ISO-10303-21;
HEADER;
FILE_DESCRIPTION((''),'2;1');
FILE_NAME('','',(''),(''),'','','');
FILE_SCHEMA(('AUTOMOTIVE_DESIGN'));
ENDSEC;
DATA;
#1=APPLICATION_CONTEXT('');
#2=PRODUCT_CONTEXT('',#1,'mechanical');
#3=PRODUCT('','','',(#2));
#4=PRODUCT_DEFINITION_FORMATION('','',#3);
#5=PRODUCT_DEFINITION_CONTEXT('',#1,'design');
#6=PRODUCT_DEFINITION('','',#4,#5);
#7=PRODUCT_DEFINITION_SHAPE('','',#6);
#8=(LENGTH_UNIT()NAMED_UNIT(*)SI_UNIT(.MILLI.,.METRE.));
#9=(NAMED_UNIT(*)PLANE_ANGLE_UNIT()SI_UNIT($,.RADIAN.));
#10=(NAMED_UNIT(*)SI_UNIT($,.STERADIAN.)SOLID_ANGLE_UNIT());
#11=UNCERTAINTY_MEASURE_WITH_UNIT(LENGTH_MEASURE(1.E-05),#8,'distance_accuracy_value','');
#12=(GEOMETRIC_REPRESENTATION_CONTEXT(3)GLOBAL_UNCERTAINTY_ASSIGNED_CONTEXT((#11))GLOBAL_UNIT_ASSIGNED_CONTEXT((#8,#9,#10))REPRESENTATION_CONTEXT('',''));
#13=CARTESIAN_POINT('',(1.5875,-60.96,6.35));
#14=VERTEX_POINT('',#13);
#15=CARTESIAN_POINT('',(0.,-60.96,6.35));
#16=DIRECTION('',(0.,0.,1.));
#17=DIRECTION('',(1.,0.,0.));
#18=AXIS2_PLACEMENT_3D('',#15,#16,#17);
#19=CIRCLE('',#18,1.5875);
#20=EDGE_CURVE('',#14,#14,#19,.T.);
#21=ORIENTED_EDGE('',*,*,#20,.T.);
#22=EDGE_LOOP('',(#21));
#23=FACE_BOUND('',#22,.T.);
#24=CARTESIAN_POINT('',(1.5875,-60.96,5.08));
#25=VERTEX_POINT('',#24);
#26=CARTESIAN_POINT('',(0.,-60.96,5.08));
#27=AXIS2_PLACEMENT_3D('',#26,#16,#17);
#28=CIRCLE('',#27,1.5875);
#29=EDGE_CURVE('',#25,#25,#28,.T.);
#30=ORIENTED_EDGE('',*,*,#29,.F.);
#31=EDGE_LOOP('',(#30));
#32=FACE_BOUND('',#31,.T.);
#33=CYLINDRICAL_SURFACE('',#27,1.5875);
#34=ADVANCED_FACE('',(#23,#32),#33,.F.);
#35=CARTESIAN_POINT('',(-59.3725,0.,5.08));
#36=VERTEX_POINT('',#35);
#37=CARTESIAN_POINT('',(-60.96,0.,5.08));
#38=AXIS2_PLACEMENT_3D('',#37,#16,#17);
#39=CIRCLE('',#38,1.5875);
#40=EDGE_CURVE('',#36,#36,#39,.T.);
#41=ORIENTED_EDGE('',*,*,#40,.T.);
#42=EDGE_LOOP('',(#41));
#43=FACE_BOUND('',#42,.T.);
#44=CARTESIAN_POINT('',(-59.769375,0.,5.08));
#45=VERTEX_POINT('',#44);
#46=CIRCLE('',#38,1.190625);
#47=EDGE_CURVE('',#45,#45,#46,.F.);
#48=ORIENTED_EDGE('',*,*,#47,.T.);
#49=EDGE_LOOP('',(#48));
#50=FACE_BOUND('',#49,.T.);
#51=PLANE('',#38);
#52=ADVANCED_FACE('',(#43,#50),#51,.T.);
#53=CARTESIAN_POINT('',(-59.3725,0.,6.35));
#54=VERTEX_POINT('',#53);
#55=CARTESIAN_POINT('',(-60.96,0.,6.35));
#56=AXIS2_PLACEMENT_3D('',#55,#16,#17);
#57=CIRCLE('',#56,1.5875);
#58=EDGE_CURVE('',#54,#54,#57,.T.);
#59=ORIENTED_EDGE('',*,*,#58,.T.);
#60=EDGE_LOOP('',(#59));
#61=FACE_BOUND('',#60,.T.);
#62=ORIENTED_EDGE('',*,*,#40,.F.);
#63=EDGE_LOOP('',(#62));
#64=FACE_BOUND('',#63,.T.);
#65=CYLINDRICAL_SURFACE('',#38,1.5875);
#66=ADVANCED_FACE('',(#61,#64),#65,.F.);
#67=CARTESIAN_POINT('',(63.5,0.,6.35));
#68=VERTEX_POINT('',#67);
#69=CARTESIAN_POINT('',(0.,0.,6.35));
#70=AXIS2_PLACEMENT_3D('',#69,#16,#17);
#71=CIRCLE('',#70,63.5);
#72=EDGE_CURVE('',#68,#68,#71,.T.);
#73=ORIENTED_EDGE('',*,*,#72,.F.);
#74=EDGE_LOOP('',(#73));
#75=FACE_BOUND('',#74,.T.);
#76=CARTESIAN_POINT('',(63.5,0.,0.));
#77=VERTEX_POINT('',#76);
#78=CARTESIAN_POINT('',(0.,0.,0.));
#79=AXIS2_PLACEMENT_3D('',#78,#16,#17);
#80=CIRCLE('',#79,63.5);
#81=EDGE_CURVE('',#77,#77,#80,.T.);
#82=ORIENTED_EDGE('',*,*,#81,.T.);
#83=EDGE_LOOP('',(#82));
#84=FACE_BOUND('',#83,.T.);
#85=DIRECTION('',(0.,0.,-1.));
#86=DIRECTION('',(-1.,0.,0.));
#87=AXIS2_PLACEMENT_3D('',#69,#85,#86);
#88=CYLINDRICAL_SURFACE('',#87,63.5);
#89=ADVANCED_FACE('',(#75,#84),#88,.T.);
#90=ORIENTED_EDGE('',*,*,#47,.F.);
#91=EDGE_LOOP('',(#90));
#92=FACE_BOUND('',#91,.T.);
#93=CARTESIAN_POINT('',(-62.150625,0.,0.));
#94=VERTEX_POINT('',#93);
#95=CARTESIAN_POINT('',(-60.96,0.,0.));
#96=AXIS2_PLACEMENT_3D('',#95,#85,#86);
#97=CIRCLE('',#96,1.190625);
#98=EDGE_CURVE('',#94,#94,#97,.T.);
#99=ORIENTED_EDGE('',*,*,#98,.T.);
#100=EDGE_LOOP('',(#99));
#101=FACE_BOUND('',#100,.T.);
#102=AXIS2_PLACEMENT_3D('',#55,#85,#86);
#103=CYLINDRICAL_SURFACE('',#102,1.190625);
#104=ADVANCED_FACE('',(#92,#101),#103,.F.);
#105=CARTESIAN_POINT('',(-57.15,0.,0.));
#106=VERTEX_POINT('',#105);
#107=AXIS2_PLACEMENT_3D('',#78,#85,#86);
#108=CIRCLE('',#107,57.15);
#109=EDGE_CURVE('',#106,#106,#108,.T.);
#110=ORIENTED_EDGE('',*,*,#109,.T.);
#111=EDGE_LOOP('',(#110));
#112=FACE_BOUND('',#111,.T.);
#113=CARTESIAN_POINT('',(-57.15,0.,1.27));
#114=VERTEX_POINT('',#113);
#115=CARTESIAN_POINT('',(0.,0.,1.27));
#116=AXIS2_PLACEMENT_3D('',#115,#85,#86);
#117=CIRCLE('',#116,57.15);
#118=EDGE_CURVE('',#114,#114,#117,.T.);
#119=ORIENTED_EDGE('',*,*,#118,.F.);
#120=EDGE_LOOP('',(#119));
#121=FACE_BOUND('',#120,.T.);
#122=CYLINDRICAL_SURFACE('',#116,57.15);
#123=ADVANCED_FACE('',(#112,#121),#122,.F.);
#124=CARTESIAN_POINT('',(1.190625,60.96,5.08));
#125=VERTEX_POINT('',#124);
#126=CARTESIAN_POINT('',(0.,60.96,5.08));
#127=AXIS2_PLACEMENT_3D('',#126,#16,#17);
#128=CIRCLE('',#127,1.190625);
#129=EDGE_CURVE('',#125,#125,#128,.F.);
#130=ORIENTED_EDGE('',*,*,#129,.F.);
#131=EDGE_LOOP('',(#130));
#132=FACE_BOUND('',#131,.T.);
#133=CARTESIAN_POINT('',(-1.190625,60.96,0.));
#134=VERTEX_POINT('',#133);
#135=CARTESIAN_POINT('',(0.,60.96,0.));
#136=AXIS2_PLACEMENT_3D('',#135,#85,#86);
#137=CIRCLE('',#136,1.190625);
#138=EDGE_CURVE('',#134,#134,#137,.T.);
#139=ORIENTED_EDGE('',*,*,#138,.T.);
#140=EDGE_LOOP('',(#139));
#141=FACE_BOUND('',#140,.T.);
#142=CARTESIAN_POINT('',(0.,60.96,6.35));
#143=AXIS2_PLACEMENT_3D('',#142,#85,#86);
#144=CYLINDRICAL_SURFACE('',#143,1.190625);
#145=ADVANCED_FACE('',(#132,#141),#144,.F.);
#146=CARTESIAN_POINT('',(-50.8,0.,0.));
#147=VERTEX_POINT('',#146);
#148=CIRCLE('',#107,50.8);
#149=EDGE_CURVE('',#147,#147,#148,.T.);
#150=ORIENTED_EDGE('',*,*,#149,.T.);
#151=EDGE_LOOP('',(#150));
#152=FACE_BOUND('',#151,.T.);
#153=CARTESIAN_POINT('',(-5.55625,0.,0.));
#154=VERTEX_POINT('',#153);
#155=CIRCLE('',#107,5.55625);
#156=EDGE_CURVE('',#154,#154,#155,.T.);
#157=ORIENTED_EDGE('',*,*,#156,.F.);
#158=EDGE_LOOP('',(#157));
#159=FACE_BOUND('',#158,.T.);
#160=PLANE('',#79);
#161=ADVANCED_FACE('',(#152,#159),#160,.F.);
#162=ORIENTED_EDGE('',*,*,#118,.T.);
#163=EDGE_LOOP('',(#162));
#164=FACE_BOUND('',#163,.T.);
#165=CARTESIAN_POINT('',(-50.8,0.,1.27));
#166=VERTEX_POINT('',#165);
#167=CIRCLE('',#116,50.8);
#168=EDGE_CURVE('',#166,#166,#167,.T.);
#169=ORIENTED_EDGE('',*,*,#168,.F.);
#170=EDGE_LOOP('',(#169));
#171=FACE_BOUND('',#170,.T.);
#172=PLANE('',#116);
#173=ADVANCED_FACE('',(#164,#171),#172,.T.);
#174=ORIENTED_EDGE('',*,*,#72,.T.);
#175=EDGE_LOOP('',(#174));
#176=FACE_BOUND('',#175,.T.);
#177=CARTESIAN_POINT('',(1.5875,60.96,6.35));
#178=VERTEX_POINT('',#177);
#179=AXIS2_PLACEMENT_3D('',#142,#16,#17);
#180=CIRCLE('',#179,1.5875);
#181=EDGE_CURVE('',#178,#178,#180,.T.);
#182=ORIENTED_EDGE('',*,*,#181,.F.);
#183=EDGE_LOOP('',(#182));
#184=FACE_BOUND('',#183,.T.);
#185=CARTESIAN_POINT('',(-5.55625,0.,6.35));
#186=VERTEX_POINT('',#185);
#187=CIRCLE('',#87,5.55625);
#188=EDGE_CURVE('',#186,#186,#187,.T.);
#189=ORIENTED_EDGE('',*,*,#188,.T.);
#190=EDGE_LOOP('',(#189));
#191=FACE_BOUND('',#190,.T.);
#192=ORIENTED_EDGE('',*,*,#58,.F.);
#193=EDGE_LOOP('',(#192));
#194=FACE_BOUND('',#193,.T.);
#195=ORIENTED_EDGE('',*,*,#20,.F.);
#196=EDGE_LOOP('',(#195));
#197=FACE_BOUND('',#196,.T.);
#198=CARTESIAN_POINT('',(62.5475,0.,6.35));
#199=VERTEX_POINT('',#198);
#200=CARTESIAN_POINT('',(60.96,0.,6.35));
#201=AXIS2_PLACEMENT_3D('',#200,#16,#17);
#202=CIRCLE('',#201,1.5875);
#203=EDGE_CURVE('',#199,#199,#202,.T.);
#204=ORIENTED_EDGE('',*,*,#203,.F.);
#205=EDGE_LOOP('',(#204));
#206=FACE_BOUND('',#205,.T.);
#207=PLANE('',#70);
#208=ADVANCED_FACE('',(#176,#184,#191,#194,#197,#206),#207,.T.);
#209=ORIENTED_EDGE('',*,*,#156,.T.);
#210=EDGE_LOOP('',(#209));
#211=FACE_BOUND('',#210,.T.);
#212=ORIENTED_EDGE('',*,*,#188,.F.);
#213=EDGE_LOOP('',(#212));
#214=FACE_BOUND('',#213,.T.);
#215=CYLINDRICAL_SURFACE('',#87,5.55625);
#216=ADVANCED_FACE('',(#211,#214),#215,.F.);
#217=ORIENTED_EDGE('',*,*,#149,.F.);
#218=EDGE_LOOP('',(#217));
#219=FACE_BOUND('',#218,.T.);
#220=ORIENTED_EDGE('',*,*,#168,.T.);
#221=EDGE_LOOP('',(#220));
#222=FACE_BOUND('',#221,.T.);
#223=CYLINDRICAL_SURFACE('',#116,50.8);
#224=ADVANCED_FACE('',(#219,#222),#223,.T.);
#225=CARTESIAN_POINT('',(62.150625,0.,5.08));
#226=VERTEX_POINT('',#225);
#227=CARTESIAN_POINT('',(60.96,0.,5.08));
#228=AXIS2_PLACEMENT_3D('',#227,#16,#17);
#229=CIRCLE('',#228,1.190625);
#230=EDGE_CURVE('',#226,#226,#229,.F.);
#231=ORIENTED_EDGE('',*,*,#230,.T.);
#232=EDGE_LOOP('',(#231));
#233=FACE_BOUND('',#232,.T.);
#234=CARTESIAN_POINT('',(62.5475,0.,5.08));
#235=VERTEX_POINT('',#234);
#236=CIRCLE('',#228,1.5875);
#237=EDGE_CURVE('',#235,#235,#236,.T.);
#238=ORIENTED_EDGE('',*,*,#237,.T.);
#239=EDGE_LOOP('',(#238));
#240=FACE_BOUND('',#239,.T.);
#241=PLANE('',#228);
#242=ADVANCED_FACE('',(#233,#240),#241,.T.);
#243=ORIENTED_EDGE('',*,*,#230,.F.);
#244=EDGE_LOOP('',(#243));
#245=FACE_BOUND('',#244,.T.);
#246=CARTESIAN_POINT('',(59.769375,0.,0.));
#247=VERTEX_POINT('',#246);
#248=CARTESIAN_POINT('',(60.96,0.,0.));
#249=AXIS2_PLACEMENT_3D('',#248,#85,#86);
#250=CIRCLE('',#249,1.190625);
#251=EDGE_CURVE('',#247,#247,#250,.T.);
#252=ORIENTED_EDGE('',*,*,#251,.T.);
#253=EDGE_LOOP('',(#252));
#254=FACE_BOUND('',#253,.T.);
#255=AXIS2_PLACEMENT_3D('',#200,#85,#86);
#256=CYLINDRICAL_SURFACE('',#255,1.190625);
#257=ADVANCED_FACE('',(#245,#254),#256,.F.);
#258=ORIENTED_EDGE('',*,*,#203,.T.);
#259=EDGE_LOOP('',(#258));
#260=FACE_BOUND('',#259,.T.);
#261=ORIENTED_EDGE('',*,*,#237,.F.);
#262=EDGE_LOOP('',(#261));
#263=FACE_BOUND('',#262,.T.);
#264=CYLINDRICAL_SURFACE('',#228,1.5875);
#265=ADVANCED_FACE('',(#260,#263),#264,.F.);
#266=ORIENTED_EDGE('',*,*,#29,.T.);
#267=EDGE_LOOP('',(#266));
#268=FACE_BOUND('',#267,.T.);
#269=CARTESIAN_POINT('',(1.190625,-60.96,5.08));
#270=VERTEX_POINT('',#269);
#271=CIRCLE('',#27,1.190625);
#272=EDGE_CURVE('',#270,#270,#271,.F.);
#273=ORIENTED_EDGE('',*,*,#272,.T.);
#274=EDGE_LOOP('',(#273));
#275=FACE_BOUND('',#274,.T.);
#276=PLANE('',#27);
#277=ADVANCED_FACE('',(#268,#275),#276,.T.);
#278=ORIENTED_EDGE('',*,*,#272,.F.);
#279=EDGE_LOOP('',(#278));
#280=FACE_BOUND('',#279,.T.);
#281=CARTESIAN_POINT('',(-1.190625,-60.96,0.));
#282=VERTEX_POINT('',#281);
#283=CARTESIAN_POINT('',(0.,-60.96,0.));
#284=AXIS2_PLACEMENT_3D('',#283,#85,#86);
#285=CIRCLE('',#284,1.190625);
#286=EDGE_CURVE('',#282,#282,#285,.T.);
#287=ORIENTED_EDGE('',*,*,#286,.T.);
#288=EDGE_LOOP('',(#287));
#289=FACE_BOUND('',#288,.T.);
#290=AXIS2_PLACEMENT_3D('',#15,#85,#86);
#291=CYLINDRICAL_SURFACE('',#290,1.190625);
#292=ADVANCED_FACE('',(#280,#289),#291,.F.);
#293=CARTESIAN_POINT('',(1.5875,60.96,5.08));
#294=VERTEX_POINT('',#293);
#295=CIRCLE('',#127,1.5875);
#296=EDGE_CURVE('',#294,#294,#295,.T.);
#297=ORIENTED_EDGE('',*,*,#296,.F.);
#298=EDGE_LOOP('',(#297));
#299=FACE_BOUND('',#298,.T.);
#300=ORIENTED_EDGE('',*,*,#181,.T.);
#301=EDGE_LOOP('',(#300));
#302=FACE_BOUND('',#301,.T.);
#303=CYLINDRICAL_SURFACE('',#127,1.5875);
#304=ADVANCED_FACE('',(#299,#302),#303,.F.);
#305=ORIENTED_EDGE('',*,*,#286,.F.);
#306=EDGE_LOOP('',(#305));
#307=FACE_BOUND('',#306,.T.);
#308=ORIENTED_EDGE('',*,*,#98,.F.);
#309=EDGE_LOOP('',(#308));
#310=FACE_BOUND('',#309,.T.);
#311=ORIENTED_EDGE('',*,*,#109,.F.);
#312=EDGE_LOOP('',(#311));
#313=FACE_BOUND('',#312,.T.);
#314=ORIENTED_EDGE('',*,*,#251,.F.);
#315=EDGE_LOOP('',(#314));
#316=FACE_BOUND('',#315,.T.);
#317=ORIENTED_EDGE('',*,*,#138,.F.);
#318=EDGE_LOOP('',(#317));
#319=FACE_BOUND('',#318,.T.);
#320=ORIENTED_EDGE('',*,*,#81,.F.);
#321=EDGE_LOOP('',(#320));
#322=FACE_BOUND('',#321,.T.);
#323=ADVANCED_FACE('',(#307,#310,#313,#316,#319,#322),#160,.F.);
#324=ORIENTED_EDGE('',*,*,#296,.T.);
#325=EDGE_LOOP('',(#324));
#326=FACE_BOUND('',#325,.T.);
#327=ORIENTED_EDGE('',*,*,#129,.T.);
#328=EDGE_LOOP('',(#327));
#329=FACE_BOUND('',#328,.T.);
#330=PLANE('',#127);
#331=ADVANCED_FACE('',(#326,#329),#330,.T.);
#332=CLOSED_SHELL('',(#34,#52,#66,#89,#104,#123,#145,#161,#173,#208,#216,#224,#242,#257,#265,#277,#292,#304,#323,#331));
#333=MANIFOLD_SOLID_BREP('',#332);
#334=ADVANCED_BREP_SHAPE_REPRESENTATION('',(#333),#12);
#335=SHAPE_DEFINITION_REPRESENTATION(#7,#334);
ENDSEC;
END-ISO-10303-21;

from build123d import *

# Parameters (mm, degrees)
SKETCH1_R           = 63.5
BOSS_EXTRUDE1_DEPTH = 6.35
SKETCH2_R           = 57.15
SKETCH2_R_2         = 50.8
CUT_EXTRUDE1_DEPTH  = 1.27
SKETCH4_R           = 1.190625
CUT_EXTRUDE2_DEPTH  = 91.02678768
SKETCH5_R           = 1.5875
CUT_EXTRUDE3_DEPTH  = 1.27
SKETCH6_R           = 5.55625
CUT_EXTRUDE4_DEPTH  = 91.02678768


with BuildPart() as part:
    # Sketch1 → Boss-Extrude1 (new body)
    with BuildSketch(Plane.XY):
        Circle(SKETCH1_R)
    extrude(amount=BOSS_EXTRUDE1_DEPTH)

    # Sketch2 → Cut-Extrude1 (cut)
    with BuildSketch(Plane(origin=(0, 0, 0), x_dir=(-1, 0, 0), z_dir=(0, 0, -1))):
        Circle(SKETCH2_R)
        Circle(SKETCH2_R_2, mode=Mode.SUBTRACT)
    extrude(amount=-CUT_EXTRUDE1_DEPTH, mode=Mode.SUBTRACT)

    # Sketch4 → Cut-Extrude2 (cut, through all)
    with BuildSketch(Plane(origin=(0, 0, 0), x_dir=(-1, 0, 0), z_dir=(0, 0, -1))):
        with Locations((0, 60.96)):
            Circle(SKETCH4_R)
        with Locations((60.96, 0)):
            Circle(SKETCH4_R)
        with Locations((0, -60.96)):
            Circle(SKETCH4_R)
        with Locations((-60.96, 0)):
            Circle(SKETCH4_R)
    extrude(amount=-CUT_EXTRUDE2_DEPTH, mode=Mode.SUBTRACT)

    # Sketch5 → Cut-Extrude3 (cut)
    with BuildSketch(Plane.XY.offset(6.35)):
        with Locations((0, 60.96)):
            Circle(SKETCH5_R)
        with Locations((60.96, 0)):
            Circle(SKETCH5_R)
        with Locations((0, -60.96)):
            Circle(SKETCH5_R)
        with Locations((-60.96, 0)):
            Circle(SKETCH5_R)
    extrude(amount=-CUT_EXTRUDE3_DEPTH, mode=Mode.SUBTRACT)

    # Sketch6 → Cut-Extrude4 (cut, through all)
    with BuildSketch(Plane(origin=(0, 0, 0), x_dir=(-1, 0, 0), z_dir=(0, 0, -1))):
        Circle(SKETCH6_R)
    extrude(amount=-CUT_EXTRUDE4_DEPTH, mode=Mode.SUBTRACT)


solid = part.part
